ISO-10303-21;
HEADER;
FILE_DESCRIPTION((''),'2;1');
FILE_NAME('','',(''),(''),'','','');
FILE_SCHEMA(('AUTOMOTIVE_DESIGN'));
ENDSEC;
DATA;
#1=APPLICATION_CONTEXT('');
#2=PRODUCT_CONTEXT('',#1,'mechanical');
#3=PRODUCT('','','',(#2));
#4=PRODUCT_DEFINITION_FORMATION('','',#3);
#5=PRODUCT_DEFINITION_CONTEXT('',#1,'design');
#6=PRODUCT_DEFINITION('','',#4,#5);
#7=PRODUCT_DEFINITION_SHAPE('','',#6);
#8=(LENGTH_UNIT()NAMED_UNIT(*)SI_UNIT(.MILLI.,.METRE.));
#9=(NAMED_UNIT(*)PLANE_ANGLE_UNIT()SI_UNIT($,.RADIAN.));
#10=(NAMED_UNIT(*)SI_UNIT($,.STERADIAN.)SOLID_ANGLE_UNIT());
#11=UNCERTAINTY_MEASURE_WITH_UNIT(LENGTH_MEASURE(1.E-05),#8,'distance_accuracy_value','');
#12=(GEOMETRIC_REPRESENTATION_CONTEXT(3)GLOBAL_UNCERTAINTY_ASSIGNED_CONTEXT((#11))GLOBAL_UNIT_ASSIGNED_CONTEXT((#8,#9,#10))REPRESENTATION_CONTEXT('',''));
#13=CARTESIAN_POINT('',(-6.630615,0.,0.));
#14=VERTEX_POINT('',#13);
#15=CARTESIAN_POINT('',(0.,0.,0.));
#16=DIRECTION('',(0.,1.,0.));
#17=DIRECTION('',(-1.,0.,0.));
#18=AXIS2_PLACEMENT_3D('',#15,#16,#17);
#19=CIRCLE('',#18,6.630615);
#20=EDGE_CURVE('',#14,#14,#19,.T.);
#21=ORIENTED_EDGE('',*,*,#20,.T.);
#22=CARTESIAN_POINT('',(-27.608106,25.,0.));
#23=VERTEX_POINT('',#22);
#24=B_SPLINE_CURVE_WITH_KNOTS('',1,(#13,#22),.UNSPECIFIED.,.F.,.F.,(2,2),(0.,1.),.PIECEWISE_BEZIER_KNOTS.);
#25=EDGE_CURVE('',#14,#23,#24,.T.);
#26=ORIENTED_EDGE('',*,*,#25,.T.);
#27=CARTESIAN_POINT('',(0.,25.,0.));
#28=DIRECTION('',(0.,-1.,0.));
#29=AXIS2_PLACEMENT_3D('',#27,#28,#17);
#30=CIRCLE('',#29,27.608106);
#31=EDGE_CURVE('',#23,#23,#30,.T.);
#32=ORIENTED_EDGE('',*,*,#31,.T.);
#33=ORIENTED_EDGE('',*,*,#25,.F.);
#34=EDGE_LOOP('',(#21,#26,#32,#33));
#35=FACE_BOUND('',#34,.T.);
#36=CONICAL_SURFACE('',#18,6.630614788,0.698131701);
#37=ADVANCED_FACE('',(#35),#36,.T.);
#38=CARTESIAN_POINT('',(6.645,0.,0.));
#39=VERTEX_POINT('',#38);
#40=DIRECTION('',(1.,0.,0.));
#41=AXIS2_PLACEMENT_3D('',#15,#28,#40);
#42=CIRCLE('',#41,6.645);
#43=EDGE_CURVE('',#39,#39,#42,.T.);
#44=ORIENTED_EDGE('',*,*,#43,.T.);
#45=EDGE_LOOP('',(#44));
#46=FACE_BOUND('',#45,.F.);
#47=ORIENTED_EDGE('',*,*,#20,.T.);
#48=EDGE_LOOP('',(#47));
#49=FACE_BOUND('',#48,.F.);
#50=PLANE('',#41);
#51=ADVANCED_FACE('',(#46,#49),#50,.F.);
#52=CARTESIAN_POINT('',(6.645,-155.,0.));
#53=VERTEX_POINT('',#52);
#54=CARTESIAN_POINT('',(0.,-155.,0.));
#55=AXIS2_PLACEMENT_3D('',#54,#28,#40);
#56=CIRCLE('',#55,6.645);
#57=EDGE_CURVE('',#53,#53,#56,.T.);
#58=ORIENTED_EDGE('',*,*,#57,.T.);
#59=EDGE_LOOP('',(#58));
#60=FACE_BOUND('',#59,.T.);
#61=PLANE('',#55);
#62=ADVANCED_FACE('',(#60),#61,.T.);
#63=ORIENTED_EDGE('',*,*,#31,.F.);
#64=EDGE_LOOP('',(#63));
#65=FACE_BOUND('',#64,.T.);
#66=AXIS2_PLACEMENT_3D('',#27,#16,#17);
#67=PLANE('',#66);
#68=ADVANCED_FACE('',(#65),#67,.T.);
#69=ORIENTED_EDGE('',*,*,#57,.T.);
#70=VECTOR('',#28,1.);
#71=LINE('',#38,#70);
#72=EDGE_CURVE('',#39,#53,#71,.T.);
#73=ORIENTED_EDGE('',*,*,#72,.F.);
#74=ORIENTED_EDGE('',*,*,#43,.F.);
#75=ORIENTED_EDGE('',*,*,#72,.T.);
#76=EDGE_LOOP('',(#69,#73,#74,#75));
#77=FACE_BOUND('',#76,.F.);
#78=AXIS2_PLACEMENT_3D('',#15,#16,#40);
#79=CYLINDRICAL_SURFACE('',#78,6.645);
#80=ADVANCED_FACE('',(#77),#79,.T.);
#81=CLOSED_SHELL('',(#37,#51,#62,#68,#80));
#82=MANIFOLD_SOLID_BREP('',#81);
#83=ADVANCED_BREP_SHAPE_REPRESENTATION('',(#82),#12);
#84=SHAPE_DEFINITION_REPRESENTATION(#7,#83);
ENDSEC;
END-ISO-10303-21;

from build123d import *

# Parameters (mm, degrees)
F0_R     = 6.645
F1_DEPTH = 155
F2_R     = 6.6306147882
F3_DEPTH = 25
F3_TAPER = -40


with BuildPart() as f1:
    # F0 (on Front) → F1 (new body)
    with BuildSketch(Plane.XZ):
        Circle(F0_R)
    extrude(amount=F1_DEPTH)

    # F2 (on face) → F3 (join)
    with BuildSketch(Plane(origin=(0, 0, 0), x_dir=(-1, 0, 0), z_dir=(0, 1, 0))):
        Circle(F2_R)
    extrude(amount=F3_DEPTH, taper=F3_TAPER)


solid = f1.part
